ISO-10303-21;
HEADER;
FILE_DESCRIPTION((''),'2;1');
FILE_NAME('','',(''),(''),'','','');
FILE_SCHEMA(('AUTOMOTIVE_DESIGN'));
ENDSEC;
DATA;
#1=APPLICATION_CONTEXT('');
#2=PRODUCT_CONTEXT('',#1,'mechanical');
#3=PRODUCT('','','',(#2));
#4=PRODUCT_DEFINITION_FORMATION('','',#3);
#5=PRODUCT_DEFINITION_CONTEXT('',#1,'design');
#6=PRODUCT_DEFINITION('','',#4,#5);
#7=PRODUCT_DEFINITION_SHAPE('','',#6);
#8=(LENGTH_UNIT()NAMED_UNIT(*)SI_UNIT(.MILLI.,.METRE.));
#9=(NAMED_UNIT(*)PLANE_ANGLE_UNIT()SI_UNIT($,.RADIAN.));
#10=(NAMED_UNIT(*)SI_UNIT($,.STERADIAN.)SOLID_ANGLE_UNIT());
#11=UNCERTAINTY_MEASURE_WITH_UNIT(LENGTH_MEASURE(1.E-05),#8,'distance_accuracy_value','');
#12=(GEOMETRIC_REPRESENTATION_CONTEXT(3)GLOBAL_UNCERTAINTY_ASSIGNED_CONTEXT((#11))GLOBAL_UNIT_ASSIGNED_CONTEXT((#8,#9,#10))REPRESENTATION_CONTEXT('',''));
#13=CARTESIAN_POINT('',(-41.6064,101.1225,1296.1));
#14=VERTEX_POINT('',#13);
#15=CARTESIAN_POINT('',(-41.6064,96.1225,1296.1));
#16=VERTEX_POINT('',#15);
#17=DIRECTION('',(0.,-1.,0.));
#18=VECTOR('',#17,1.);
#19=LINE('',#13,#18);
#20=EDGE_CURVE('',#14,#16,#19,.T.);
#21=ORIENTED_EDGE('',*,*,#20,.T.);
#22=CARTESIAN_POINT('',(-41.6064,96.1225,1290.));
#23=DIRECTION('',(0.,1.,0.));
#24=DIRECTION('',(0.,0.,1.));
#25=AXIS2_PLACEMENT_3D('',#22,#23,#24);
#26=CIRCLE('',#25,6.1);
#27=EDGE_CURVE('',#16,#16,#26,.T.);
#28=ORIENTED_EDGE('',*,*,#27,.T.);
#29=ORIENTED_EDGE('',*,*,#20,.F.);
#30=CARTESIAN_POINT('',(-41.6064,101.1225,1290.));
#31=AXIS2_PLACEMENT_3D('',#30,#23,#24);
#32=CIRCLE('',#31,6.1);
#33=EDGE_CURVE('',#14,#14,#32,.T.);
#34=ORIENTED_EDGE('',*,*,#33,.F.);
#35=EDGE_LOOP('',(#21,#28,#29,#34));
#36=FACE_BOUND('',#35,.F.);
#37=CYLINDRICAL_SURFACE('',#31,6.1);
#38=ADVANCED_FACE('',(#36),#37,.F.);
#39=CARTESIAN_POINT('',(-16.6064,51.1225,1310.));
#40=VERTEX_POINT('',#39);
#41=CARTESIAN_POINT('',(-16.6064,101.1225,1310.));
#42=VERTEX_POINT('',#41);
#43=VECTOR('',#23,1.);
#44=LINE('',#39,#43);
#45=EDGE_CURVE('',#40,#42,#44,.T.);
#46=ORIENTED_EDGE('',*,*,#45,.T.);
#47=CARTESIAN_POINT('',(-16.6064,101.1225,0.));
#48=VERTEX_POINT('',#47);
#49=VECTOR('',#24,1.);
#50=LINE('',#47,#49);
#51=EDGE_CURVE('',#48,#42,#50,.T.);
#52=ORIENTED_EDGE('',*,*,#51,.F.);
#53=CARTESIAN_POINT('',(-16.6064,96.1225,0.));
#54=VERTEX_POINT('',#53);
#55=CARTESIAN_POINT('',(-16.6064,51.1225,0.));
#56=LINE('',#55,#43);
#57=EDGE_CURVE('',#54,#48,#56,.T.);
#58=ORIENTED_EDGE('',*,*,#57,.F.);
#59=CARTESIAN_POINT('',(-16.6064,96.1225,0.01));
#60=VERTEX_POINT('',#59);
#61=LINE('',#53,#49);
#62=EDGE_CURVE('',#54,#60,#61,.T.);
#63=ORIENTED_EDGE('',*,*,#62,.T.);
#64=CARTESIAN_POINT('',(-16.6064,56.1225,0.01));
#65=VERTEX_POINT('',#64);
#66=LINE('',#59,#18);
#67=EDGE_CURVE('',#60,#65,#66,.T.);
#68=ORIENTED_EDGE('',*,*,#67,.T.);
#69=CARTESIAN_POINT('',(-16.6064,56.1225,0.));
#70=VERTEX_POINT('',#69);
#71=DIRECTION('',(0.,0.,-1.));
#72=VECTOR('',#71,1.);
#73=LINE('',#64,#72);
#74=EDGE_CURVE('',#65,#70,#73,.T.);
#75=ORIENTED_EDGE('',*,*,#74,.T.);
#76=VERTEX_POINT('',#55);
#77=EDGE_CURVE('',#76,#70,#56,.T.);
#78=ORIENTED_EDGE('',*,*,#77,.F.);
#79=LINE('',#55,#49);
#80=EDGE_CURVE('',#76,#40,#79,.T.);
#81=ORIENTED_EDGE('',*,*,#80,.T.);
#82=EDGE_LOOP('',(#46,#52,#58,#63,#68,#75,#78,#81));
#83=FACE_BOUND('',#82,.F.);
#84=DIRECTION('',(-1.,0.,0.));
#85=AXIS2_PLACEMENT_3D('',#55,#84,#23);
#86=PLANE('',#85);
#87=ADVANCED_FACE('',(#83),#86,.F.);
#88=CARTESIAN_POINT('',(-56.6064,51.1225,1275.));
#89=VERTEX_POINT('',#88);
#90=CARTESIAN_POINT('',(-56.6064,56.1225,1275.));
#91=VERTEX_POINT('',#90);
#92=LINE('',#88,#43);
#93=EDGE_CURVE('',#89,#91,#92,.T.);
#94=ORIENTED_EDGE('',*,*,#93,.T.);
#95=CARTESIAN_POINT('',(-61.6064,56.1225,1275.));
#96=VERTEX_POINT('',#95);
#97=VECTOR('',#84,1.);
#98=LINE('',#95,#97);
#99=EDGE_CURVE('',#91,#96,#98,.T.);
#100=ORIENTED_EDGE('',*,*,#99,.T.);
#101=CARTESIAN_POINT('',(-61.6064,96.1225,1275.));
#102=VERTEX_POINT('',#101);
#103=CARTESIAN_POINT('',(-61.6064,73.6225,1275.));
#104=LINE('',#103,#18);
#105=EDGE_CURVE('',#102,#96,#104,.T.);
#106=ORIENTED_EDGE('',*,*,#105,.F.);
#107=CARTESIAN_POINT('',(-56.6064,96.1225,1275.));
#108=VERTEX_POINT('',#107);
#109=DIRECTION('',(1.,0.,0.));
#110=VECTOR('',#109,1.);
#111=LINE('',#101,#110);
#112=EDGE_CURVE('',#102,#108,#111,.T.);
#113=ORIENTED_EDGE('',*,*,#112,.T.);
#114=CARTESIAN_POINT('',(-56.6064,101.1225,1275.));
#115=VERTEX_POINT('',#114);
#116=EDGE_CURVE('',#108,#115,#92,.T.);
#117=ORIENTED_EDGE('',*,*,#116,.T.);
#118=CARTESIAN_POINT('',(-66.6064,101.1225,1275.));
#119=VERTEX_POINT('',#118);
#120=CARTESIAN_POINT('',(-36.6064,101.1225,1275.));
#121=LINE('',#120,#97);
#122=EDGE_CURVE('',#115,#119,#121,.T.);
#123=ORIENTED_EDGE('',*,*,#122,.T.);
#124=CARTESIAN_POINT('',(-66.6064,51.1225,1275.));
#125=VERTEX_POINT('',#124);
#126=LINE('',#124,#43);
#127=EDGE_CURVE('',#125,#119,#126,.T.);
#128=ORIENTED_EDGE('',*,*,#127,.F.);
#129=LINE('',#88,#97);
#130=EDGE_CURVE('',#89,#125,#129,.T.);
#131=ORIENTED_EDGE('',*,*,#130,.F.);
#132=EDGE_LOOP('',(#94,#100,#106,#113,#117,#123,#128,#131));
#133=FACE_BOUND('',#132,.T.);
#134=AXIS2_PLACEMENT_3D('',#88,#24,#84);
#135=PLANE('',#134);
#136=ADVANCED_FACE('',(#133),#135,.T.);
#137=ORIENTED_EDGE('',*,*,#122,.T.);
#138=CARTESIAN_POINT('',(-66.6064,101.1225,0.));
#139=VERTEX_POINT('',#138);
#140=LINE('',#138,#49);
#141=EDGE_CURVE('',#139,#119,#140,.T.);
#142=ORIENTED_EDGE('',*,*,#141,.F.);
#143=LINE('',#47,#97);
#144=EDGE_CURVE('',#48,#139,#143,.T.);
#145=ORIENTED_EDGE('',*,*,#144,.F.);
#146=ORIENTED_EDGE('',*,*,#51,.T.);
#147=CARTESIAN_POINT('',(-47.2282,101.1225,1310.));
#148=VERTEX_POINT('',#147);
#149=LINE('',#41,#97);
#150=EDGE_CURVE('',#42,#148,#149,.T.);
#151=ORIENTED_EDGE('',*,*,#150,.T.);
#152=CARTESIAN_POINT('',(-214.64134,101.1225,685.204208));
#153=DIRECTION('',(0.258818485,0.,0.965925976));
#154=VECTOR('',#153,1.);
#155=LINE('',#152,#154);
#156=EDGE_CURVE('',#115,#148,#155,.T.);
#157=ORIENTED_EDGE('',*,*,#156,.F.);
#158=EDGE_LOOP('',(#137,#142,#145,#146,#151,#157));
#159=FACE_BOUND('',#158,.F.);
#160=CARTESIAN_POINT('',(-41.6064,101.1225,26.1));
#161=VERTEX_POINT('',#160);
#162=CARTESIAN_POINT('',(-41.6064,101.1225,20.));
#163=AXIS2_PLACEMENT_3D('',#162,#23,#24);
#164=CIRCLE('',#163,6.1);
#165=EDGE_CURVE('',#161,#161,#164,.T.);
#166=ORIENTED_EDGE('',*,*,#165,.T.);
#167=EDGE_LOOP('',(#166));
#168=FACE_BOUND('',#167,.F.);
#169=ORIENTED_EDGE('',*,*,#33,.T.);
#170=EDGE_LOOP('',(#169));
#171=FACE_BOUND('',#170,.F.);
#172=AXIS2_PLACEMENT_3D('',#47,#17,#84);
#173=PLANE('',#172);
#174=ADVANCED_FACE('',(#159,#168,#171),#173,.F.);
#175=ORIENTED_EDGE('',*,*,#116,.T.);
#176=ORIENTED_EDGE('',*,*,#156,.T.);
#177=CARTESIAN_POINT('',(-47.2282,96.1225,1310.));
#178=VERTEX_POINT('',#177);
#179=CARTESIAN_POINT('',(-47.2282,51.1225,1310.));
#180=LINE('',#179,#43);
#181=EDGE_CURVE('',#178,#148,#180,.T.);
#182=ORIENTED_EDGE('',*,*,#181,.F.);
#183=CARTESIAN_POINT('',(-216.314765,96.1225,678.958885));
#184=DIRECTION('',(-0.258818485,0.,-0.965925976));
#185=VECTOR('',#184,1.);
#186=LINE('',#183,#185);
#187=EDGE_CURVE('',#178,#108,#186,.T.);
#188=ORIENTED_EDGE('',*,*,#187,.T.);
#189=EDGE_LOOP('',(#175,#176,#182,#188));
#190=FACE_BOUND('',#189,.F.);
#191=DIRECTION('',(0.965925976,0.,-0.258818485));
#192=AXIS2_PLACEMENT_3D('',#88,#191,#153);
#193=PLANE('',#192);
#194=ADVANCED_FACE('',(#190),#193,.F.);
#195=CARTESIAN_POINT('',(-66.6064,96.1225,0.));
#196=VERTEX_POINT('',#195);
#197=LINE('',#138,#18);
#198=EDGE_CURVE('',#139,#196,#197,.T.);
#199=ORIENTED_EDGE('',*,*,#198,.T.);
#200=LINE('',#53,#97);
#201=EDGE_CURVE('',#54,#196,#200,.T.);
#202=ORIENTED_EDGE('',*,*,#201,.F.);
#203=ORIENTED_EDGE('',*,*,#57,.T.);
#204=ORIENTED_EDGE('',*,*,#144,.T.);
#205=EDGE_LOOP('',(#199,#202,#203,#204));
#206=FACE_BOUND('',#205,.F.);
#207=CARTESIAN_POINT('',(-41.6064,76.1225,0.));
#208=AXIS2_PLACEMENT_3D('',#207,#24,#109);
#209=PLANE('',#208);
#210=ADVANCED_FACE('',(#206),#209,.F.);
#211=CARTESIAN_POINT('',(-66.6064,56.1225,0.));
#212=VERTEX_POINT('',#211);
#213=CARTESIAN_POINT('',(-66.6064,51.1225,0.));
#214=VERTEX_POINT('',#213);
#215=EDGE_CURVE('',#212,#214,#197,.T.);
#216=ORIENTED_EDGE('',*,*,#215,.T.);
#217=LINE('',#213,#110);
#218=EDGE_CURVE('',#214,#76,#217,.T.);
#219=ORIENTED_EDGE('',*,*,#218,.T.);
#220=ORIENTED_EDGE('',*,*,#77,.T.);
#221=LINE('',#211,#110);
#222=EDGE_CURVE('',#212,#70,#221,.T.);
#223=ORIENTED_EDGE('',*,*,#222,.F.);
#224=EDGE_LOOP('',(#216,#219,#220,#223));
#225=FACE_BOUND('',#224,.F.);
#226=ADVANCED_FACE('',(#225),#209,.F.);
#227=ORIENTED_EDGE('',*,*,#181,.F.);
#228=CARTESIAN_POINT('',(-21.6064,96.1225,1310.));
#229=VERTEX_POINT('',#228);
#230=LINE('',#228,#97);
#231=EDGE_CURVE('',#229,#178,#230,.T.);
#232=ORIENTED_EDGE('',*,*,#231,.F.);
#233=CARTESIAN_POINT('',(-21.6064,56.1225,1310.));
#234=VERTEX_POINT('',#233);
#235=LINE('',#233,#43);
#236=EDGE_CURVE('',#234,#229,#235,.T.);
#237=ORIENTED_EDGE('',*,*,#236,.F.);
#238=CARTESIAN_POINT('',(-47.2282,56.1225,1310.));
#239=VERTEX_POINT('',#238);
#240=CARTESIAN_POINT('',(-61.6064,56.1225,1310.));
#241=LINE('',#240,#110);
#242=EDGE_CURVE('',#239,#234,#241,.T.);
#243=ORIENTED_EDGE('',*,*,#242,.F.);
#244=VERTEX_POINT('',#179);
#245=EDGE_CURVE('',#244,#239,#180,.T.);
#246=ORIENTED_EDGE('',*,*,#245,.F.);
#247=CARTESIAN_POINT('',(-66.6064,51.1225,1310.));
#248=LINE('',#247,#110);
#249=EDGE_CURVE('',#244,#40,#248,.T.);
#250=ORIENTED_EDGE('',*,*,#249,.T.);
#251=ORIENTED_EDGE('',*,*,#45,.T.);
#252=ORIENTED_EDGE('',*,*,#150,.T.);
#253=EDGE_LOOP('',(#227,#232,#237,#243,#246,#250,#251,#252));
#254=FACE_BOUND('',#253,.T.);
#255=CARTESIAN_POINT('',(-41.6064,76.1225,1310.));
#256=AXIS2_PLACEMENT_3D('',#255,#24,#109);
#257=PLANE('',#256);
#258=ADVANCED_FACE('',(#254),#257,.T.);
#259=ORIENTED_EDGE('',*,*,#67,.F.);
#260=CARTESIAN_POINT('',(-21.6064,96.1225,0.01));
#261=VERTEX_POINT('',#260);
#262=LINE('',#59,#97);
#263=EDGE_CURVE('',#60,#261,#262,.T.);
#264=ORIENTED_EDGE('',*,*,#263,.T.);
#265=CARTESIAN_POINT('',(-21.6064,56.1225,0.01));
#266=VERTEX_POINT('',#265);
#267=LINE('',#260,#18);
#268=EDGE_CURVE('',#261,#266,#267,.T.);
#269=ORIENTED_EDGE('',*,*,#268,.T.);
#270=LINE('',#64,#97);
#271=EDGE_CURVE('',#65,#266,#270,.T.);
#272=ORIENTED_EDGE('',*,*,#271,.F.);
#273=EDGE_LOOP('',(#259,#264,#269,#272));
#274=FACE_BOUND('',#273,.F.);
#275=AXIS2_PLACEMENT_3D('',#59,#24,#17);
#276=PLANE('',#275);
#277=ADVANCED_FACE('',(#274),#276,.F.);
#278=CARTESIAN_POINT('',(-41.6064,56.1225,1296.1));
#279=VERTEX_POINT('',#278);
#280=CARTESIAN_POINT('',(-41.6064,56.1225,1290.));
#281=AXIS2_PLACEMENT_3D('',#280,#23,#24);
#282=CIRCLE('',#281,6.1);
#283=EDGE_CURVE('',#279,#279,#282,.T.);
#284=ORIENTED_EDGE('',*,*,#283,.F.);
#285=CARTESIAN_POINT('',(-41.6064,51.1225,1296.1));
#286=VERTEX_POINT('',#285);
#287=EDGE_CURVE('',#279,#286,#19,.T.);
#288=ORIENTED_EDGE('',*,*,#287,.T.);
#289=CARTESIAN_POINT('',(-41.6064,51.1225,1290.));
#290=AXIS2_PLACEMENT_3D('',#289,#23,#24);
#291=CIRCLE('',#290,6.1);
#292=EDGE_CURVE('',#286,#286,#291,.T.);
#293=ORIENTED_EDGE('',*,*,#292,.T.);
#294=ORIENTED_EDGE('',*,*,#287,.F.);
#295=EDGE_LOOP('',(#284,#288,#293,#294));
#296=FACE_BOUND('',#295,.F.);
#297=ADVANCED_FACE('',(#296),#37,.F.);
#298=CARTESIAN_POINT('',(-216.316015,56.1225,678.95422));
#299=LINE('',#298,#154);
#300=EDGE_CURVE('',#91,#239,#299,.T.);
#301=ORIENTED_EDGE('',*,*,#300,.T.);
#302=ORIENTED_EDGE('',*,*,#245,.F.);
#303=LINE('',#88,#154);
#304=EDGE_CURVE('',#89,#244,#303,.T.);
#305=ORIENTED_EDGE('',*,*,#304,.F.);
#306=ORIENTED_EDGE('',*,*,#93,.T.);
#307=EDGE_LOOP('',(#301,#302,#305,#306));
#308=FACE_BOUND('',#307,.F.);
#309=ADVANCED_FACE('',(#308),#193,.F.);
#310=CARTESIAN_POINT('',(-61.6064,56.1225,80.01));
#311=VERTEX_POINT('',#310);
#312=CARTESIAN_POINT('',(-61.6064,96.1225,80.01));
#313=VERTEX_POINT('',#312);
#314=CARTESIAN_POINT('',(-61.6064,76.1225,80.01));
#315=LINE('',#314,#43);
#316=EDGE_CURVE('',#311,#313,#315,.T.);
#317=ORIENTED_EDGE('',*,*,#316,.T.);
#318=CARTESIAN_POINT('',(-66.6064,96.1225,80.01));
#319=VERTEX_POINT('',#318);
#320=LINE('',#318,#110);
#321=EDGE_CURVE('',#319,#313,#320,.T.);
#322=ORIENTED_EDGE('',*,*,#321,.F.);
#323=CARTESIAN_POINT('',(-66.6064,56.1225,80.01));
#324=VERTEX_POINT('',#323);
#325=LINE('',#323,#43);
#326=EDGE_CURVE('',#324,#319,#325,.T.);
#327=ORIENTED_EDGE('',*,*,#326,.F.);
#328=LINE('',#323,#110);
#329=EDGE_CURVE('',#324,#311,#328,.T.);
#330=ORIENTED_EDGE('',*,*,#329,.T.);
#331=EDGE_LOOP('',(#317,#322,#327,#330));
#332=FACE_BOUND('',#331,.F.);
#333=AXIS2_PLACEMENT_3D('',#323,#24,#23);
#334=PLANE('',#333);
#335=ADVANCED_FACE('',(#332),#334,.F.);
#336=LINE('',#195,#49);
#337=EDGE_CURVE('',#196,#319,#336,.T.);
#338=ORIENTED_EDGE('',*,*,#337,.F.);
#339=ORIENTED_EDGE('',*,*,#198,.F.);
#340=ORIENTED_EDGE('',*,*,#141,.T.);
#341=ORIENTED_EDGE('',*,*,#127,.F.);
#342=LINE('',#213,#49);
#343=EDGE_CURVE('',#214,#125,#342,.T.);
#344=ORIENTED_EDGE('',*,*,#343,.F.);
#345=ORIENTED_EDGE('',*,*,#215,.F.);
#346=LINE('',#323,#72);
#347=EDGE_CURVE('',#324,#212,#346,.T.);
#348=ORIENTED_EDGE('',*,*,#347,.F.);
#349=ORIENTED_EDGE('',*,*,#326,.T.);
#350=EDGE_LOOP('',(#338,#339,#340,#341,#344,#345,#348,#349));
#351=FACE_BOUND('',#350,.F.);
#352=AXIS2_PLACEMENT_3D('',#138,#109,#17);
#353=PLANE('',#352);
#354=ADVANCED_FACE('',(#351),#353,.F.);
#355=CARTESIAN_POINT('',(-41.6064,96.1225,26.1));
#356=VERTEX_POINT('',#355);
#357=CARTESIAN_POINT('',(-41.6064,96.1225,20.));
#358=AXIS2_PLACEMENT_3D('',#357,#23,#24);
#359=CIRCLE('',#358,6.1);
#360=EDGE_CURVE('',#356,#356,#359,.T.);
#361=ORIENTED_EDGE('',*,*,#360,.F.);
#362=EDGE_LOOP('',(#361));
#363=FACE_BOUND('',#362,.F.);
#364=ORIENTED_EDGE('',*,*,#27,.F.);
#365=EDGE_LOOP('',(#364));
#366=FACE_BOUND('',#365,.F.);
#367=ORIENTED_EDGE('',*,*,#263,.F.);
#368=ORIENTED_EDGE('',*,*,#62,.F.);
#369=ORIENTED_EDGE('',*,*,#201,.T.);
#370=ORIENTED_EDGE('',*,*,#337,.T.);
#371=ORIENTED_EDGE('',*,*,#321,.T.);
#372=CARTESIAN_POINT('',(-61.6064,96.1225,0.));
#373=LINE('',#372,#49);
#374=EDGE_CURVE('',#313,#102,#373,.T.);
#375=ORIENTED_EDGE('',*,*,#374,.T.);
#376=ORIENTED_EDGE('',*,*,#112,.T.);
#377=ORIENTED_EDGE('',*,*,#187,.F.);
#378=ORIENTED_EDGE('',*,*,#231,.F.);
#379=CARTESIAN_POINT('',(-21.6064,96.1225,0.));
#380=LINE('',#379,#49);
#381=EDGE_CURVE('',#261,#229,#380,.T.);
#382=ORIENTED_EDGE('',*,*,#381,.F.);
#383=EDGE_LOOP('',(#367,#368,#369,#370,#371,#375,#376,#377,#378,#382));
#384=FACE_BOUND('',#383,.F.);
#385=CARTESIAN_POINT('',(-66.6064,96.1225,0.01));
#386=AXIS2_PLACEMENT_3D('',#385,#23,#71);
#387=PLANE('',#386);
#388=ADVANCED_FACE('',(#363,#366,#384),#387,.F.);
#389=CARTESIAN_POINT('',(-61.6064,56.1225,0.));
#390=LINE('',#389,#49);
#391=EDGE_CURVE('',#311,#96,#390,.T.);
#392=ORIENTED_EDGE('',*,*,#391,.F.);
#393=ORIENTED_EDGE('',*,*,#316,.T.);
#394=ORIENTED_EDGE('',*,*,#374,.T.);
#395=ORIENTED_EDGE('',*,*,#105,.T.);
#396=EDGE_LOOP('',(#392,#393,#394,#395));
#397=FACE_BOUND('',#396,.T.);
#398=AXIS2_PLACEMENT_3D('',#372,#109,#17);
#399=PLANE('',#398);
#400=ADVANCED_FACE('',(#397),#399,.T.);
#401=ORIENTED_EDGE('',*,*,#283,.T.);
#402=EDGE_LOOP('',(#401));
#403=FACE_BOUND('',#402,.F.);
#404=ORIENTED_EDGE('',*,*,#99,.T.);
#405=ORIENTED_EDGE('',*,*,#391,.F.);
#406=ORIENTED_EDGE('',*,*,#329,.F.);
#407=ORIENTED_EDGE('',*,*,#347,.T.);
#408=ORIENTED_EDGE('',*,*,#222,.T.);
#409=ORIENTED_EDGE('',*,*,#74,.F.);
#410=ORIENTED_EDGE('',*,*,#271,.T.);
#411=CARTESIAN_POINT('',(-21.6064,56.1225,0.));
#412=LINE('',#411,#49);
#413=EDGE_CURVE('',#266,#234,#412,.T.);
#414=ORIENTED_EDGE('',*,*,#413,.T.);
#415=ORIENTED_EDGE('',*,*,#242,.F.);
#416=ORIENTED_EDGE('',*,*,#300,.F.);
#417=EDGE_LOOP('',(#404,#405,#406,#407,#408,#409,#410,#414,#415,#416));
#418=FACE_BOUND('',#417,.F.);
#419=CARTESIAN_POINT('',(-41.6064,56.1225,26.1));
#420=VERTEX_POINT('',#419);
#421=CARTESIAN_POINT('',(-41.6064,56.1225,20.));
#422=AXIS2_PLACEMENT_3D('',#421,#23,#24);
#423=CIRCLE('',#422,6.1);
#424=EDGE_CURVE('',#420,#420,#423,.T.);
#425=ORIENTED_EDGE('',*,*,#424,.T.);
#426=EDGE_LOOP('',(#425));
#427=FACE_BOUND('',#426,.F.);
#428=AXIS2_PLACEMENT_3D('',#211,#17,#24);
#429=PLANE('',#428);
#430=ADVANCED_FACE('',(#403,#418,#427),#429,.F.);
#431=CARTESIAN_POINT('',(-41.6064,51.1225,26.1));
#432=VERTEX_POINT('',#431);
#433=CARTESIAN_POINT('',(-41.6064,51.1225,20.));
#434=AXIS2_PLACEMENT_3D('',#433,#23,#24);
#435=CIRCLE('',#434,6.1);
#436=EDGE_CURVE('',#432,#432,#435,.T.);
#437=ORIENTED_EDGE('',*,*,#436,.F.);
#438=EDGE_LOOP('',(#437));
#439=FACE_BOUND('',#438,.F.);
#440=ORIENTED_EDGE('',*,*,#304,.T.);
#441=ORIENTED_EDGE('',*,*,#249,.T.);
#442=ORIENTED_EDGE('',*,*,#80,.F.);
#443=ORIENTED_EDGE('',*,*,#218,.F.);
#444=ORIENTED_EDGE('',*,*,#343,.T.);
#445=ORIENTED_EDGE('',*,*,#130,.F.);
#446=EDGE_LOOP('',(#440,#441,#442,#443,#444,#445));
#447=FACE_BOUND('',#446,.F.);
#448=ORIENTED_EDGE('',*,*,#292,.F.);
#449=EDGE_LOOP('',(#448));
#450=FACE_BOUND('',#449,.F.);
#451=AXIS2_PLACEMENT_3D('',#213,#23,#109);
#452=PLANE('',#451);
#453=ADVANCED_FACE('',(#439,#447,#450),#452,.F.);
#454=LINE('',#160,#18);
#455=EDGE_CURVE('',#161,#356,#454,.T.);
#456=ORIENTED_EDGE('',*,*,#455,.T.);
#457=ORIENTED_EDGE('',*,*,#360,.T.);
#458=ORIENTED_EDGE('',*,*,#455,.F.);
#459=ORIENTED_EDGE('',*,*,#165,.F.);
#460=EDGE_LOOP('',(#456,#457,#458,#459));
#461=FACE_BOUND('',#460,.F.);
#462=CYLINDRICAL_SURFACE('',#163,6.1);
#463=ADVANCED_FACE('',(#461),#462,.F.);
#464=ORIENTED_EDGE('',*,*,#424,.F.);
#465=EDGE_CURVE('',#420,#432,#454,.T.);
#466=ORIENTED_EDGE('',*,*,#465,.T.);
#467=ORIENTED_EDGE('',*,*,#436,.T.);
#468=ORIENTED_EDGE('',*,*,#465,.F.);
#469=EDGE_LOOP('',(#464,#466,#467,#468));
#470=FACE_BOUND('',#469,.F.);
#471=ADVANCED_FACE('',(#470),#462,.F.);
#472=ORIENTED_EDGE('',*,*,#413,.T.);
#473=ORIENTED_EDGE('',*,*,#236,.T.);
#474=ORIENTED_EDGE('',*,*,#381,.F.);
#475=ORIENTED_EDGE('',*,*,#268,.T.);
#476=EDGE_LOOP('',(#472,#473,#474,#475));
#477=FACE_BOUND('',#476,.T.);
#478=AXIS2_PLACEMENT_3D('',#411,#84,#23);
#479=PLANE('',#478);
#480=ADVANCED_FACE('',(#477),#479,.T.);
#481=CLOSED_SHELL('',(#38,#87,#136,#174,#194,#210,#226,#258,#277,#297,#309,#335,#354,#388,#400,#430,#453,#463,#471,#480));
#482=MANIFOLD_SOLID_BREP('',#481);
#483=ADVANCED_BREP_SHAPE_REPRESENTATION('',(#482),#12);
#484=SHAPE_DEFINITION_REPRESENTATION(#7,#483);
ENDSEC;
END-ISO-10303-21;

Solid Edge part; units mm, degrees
sketch "Sketch1" plane through (0, 0, 0) normal (0, 0, 1) x (1, 0, 0)
  line L0 (-61.6064, 56.1225) -> (-21.6064, 56.1225)
  line L1 (-21.6064, 56.1225) -> (-21.6064, 96.1225)
  line L2 (-21.6064, 96.1225) -> (-61.6064, 96.1225)
  line L3 (-61.6064, 96.1225) -> (-61.6064, 56.1225)
  line L4 (-66.6064, 51.1225) -> (-16.6064, 51.1225)
  line L5 (-16.6064, 51.1225) -> (-16.6064, 101.1225)
  line L6 (-16.6064, 101.1225) -> (-66.6064, 101.1225)
  line L7 (-66.6064, 101.1225) -> (-66.6064, 51.1225)
  dimension "D1" = 50
  dimension "D2" = 50
  dimension "D3" = 5
  dimension "D4" = 5
extrude "Protrusion1" add sketch "Sketch1" along normal blind 1310
sketch "Sketch2" plane through (-66.6064, 101.1225, 788.35) normal (0, 1, 0) x (0, 0, 1)
  circle A0 centre (501.65, 25) radius 6.1
  circle A1 centre (-768.35, 25) radius 6.1
  dimension "D1" = 12.2
  dimension "D2" = 12.2
  dimension "D3" = 20
  dimension "D4" = 20
extrude "Cutout1" cut sketch "Sketch2" against normal through all
sketch "Sketch3" plane through (-66.6064, 81.1225, 788.35) normal (-1, 0, 0) x (0, 0, 1)
  line L0 (-788.35, 15) -> (-788.35, -25)
  line L1 (-788.35, -25) -> (-788.34, -25)
  line L2 (-788.34, -25) -> (-788.34, 15)
  line L3 (-788.34, 15) -> (-788.35, 15)
  dimension "D1" = 0.01
  dimension "D2" = 40
extrude "Cutout2" cut sketch "Sketch3" against normal blind 5
sketch "Sketch4" plane through (-16.6064, 81.1225, 788.35) normal (1, 0, 0) x (0, 0, 1)
  line L0 (-788.35, -15) -> (-788.34, -15)
  line L1 (-788.34, -15) -> (-788.34, 25)
  line L2 (-788.34, 25) -> (-788.35, 25)
  line L3 (-788.35, 25) -> (-788.35, -15)
  dimension "D1" = 0.01
  dimension "D2" = 40
extrude "ExtrudedCutout_3" cut sketch "Sketch4" against normal blind 5
sketch "Sketch5" plane through (-66.6064, 51.1225, 704.15) normal (0, -1, 0) x (0, 0, -1)
  line L0 (-605.85, 0) -> (-605.85, 19.3782)
  line L1 (-570.85, 10) -> (-605.85, 19.3782)
  line L2 (-570.85, 10) -> (-570.85, 0)
  line L3 (-570.85, 0) -> (-605.85, 0)
  dimension "D1" = 10
  dimension "D2" = 35
extrude "Cutout3" cut sketch "Sketch5" against normal through all
sketch "Sketch6" plane through (-66.6064, 76.1225, 637.5) normal (-1, 0, 0) x (0, 0, 1)
  line L0 (-637.49, -20) -> (-557.49, -20)
  line L1 (-557.49, -20) -> (-557.49, 20)
  line L2 (-557.49, 20) -> (-637.49, 20)
  line L3 (-637.49, 20) -> (-637.49, -20)
  dimension "D1" = 40
  dimension "D2" = 80
extrude "Cutout4" cut sketch "Sketch6" against normal up to next
properties material "Aluminum, 6061-T6"
